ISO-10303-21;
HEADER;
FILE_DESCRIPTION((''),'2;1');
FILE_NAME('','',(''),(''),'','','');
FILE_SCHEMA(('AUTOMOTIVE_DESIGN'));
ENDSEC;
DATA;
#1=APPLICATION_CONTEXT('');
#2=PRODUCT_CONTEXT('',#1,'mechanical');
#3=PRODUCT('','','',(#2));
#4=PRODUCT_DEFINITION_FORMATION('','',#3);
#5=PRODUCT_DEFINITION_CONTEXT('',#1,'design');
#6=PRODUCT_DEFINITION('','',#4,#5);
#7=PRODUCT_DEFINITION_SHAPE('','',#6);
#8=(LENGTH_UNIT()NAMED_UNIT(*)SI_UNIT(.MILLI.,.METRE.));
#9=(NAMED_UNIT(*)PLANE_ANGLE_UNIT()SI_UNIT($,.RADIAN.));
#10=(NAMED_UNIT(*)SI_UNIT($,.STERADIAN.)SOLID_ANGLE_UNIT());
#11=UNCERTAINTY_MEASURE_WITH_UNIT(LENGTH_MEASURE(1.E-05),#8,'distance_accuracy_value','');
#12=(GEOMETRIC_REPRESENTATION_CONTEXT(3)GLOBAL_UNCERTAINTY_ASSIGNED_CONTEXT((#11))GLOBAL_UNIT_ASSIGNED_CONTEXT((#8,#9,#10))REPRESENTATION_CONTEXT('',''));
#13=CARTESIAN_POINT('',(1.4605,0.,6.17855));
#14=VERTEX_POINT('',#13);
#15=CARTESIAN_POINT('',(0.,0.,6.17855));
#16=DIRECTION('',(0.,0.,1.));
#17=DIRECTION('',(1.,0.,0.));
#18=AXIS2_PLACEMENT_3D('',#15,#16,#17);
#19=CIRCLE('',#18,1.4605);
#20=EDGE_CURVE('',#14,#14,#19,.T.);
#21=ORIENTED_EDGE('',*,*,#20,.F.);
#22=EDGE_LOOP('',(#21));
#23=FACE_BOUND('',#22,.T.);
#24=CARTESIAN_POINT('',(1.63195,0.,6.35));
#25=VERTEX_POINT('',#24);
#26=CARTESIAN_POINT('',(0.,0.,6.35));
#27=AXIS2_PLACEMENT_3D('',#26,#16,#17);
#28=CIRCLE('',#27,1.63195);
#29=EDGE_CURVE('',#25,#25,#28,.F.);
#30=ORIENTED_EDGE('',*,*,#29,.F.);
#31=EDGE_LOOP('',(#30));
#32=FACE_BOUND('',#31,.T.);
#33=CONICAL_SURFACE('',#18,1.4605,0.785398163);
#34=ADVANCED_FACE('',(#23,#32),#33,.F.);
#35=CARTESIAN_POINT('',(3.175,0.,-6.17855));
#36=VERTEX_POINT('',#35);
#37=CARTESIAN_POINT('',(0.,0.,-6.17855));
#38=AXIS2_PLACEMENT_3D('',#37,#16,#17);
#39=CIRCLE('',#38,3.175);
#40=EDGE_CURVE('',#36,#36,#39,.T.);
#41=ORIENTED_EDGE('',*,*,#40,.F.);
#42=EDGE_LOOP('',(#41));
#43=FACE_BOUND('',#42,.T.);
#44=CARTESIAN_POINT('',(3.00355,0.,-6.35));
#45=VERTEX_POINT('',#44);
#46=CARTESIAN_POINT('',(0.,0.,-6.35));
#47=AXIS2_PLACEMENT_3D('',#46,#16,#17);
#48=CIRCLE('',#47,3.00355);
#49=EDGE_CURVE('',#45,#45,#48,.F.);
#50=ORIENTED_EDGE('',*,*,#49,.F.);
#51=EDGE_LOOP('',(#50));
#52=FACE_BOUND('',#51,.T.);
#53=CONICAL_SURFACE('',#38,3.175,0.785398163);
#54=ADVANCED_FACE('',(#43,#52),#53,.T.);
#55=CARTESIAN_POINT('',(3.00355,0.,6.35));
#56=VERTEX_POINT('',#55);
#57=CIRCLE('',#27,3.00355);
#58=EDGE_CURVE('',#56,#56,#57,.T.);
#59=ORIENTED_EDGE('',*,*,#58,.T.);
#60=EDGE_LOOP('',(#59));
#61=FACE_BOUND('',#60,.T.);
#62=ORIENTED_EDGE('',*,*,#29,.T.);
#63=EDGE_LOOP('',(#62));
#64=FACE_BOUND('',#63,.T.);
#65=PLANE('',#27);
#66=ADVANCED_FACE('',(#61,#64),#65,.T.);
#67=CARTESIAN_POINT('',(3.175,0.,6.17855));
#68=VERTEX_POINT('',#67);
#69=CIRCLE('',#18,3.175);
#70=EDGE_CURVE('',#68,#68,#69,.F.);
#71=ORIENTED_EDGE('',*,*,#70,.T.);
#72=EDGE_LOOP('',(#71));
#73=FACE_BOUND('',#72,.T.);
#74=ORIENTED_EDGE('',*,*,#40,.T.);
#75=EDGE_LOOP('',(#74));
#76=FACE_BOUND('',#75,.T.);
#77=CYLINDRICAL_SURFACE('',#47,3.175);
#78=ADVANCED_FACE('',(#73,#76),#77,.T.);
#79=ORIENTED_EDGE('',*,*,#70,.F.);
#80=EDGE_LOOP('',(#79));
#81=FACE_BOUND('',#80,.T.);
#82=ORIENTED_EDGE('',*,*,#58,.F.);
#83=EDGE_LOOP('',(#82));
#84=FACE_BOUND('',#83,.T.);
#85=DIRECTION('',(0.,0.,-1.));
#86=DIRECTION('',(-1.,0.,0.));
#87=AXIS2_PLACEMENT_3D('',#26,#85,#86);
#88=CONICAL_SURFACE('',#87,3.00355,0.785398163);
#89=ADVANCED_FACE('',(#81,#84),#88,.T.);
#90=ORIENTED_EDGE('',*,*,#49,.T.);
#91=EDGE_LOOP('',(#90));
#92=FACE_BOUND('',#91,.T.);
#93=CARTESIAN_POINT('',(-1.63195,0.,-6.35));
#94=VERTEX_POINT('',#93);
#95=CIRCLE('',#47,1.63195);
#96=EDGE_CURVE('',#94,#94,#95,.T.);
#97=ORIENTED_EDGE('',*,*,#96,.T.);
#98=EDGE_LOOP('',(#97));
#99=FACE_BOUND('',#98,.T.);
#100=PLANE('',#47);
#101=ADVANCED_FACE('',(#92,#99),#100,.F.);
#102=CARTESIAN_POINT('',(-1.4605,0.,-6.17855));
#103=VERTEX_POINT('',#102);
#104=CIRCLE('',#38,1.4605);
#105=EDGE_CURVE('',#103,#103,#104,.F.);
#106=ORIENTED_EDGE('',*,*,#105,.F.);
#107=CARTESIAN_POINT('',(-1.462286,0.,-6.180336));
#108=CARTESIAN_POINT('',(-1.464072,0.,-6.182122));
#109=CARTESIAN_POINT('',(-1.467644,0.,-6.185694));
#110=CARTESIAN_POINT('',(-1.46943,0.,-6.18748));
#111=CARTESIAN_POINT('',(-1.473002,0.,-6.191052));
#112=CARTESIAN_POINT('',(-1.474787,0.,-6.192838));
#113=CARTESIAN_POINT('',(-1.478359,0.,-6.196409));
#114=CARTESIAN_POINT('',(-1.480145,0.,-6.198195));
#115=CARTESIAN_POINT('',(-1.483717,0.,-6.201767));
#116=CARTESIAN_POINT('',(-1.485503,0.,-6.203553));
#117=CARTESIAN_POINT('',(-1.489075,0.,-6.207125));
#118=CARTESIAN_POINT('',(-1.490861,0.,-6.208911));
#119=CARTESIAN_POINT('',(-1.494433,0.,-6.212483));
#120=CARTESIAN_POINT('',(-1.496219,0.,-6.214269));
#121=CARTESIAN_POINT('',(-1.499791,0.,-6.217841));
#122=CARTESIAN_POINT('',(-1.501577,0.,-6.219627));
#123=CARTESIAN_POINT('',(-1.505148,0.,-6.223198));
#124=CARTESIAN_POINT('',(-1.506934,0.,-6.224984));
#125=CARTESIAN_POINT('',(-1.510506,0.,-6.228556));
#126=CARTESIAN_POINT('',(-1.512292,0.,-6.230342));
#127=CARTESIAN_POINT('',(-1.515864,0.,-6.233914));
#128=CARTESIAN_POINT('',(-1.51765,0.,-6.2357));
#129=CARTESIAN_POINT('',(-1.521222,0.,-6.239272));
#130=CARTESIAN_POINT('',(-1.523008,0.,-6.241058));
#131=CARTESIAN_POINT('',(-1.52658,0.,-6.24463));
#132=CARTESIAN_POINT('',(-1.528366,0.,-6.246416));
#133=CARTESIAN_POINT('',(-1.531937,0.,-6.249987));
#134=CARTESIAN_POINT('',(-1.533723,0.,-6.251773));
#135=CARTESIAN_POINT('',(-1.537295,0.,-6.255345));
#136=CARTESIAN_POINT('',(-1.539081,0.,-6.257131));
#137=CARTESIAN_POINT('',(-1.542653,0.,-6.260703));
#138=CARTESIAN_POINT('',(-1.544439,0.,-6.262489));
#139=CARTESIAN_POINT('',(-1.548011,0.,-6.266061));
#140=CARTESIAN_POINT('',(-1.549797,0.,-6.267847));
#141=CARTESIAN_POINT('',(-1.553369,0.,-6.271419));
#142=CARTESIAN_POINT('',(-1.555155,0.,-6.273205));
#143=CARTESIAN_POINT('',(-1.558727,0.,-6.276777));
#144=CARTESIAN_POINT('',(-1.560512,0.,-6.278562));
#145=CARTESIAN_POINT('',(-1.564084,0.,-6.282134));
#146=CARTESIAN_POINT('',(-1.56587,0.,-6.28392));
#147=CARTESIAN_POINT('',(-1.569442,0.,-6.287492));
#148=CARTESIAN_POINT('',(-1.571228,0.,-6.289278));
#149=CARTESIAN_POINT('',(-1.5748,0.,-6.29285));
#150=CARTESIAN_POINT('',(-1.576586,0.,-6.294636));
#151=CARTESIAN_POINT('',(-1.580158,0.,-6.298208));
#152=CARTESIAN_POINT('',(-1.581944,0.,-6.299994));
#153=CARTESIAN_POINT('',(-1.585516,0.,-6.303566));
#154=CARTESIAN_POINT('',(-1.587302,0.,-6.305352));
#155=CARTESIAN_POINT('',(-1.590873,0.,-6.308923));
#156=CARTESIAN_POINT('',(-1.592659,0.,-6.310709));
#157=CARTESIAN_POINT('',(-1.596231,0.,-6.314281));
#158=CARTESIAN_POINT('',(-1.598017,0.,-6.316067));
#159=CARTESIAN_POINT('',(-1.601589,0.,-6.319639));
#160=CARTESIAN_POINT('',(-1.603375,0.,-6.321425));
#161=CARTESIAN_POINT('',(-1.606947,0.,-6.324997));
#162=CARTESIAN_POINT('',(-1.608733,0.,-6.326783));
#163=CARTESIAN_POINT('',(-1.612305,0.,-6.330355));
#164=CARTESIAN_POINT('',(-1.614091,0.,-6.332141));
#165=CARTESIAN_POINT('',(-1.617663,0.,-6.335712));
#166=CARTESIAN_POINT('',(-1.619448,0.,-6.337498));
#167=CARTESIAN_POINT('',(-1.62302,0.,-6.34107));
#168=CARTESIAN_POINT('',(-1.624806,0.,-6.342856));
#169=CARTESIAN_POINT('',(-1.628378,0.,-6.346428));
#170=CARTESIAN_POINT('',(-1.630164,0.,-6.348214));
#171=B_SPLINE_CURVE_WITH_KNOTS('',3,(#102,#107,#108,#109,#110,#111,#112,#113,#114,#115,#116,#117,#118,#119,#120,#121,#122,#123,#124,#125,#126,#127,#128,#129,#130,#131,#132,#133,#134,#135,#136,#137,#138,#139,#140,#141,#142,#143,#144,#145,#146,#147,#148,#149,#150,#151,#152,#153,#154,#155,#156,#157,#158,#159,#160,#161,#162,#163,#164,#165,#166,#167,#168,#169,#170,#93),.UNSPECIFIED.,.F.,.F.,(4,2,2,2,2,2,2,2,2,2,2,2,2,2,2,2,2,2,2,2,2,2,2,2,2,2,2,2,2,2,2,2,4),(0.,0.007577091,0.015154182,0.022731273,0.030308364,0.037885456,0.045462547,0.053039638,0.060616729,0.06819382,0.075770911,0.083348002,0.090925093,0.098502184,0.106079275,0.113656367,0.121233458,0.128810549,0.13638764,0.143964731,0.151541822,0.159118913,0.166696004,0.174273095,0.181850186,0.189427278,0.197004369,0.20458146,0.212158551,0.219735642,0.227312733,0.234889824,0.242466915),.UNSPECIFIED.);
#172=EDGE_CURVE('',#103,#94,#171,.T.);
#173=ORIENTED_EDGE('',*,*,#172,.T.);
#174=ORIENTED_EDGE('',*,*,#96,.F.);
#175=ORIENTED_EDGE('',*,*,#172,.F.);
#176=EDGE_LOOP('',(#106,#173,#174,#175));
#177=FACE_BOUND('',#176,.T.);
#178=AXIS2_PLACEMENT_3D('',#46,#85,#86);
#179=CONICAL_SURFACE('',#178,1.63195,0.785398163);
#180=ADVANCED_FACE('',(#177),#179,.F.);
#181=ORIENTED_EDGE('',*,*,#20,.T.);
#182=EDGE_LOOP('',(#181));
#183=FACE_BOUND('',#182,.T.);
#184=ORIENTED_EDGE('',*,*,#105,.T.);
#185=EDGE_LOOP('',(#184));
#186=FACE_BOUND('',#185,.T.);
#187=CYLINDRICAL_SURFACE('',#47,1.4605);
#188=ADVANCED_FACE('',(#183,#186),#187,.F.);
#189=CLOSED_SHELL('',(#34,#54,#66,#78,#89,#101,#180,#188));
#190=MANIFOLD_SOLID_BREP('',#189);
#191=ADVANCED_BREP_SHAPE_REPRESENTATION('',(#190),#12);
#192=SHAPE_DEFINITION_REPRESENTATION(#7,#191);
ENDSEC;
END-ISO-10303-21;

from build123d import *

# Parameters (mm, degrees)
BOSS_EXTRUDE1_DEPTH      = 6.35
BOSS_EXTRUDE1_DEPTH_BACK = 6.35
SKETCH3_R                = 3.175
SKETCH3_R_2              = 1.4605
CHAMFER1_SIZE            = 0.17145


with BuildPart() as part:
    # Sketch3 → Boss-Extrude1 (new, two sides: drawn at the far end of the back side and taken through both)
    with BuildSketch(Plane.XY.offset(-BOSS_EXTRUDE1_DEPTH_BACK)):
        Circle(SKETCH3_R)
        Circle(SKETCH3_R_2, mode=Mode.SUBTRACT)
    extrude(amount=BOSS_EXTRUDE1_DEPTH + BOSS_EXTRUDE1_DEPTH_BACK)

    # Chamfer1
    chamfer1_edges = [part.edges().sort_by_distance(p)[0] for p in [
        (-3.175, 0, -6.35),
        (-1.4605, 0, -6.35),
        (-3.175, 0, 6.35),
        (-1.4605, 0, 6.35),
    ]]
    chamfer(chamfer1_edges, length=CHAMFER1_SIZE)


solid = part.part
